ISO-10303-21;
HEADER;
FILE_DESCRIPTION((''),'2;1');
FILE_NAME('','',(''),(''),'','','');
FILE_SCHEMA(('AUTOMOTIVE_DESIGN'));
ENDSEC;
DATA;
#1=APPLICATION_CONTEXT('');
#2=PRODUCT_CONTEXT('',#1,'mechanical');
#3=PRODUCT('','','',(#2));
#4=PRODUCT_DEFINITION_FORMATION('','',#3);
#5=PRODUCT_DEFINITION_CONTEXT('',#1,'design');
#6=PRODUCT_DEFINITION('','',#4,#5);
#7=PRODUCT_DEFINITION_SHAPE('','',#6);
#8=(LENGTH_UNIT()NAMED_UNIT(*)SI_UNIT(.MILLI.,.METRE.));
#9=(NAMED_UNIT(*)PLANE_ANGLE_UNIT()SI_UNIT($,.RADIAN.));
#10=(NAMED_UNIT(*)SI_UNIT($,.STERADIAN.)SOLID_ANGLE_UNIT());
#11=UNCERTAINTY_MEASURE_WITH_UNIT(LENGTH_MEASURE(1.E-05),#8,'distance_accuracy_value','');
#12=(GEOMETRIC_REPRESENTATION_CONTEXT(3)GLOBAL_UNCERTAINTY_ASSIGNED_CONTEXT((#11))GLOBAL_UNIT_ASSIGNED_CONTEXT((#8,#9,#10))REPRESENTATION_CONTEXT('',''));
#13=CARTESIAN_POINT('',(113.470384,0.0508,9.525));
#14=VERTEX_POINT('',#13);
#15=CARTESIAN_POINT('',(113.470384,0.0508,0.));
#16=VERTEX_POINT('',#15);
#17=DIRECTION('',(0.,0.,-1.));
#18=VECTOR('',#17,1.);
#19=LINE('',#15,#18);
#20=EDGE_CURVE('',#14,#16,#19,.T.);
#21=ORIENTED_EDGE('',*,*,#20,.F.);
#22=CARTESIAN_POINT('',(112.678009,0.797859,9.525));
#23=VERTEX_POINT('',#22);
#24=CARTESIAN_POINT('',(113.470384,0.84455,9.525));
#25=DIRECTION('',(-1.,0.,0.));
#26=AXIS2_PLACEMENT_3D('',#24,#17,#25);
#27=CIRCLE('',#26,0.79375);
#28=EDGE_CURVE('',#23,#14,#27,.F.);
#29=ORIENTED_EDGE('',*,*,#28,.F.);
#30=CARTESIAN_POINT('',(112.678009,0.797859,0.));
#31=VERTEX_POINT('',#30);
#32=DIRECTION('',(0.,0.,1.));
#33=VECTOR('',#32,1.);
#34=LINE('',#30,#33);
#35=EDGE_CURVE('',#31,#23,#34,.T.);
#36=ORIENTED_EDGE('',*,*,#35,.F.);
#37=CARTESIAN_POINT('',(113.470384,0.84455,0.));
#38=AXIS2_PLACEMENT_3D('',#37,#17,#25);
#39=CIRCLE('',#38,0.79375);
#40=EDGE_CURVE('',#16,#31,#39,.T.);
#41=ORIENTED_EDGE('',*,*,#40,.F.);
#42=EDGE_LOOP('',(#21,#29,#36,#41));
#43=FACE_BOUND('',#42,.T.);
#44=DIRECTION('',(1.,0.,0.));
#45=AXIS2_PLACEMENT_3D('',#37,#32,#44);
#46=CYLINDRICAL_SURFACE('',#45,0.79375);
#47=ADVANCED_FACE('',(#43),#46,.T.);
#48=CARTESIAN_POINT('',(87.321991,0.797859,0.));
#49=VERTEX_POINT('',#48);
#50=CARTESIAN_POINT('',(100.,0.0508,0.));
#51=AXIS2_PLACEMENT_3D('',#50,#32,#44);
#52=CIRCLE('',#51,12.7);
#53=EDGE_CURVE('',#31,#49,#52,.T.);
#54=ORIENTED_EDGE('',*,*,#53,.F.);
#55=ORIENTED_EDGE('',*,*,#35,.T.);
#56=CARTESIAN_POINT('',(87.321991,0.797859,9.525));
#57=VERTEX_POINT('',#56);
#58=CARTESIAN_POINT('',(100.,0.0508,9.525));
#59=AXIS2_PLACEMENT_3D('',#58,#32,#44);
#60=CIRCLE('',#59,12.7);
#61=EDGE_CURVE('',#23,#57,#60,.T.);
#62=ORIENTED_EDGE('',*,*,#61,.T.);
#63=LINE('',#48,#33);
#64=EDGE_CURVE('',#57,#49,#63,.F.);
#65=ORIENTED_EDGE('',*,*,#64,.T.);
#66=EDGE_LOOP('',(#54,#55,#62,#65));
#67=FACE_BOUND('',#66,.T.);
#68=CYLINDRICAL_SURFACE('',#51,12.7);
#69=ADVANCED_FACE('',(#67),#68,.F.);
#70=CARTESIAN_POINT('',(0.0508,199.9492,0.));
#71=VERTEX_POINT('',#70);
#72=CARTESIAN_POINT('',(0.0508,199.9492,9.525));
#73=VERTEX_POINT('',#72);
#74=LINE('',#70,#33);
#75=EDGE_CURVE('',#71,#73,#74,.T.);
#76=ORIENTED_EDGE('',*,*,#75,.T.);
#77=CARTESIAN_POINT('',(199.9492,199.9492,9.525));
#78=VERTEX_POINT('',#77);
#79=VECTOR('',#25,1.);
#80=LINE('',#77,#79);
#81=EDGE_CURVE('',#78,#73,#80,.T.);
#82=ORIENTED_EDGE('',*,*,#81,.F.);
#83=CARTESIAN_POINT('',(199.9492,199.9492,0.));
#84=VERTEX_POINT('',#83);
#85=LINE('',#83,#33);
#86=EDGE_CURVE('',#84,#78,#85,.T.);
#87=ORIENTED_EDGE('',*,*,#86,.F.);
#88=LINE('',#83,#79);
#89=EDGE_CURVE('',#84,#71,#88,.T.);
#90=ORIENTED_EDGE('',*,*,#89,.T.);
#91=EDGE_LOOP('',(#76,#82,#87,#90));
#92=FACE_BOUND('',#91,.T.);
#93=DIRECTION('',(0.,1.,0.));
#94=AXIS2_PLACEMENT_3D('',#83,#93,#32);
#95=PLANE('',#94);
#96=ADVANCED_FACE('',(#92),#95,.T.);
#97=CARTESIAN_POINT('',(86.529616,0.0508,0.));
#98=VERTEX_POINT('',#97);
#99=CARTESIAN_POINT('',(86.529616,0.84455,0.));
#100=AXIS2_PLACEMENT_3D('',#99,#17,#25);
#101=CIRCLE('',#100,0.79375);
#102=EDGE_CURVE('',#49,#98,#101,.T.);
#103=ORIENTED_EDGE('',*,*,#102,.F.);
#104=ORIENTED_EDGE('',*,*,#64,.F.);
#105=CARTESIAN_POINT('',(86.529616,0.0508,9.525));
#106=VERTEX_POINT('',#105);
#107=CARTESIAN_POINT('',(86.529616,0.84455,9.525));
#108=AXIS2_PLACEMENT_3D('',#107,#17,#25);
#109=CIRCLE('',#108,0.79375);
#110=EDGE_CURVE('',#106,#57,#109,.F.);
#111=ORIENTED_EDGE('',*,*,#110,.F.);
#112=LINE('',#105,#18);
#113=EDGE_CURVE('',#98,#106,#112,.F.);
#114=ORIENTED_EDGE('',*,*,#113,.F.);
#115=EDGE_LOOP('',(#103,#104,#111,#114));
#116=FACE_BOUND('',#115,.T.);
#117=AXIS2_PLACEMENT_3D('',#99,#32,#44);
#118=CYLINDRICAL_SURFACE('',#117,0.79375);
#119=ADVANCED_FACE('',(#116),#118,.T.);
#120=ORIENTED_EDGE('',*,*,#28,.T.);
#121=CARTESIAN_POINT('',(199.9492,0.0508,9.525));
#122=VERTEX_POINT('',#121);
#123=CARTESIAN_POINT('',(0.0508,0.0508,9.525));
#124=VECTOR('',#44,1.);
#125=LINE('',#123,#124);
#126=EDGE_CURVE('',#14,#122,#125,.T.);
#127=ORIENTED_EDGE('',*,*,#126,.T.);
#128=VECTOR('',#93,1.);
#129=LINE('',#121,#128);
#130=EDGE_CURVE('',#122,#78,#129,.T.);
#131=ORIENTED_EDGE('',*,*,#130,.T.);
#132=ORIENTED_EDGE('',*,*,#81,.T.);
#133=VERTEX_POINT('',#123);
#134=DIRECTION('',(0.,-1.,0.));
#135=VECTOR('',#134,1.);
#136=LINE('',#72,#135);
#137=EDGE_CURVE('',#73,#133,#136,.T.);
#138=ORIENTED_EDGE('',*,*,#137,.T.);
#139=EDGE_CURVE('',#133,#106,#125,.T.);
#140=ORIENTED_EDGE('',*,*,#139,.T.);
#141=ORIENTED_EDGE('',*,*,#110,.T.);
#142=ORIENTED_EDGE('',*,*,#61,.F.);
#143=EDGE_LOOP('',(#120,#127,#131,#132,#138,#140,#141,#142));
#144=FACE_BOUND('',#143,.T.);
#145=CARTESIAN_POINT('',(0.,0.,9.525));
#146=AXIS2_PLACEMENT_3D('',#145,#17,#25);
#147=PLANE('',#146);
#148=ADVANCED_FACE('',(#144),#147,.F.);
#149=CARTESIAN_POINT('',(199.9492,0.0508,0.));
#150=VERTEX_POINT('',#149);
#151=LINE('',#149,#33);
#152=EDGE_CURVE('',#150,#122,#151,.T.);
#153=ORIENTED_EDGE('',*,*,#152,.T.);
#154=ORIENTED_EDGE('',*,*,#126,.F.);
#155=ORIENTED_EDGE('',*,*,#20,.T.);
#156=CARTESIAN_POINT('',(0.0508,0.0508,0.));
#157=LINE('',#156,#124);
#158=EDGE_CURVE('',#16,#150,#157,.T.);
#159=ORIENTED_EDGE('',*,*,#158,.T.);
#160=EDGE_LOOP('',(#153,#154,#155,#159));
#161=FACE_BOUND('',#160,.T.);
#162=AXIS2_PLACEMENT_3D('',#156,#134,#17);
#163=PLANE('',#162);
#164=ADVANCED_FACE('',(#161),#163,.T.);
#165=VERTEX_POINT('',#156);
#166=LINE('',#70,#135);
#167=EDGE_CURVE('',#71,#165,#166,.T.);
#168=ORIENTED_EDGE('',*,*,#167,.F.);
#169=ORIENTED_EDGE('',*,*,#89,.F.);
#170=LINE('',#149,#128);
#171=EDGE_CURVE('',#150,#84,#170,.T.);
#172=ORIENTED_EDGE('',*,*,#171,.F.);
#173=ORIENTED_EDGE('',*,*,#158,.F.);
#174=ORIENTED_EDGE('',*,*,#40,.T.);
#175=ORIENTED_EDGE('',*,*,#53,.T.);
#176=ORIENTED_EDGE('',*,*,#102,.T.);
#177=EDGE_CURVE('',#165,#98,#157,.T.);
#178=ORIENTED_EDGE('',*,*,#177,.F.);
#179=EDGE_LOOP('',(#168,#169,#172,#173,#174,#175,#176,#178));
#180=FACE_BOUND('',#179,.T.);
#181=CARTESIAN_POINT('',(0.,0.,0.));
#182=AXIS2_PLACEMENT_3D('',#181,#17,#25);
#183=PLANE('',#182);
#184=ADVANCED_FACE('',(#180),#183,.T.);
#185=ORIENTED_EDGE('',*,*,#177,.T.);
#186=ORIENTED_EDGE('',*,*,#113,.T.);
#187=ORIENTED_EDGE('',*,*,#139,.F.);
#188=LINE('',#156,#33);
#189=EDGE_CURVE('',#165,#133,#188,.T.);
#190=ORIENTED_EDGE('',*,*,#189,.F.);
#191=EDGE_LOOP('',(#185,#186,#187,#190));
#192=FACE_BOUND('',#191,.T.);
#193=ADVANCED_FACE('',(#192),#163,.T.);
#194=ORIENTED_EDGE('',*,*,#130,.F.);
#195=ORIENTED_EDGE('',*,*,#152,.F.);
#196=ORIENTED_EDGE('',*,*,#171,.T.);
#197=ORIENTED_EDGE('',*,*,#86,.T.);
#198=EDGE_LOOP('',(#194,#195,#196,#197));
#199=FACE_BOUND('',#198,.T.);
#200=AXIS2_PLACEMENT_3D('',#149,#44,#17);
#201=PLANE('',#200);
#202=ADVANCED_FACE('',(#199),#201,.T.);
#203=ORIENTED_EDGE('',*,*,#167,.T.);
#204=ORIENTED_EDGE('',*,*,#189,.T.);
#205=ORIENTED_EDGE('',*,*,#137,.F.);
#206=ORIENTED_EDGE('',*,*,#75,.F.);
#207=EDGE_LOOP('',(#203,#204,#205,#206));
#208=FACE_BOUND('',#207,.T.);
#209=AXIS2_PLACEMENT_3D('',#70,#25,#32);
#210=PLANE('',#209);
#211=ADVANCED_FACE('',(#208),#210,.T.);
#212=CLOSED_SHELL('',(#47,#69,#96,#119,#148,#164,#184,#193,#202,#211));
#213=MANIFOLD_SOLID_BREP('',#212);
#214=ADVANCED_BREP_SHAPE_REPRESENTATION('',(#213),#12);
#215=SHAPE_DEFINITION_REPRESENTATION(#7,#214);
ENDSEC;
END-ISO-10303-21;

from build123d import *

# Parameters (mm, degrees)
SKETCH1_W           = 200
SKETCH1_H           = 200
BOSS_EXTRUDE1_DEPTH = 9.525
SKETCH5_W           = 200
SKETCH5_H           = 200
SKETCH5_W_2         = 199.8984
SKETCH5_H_2         = 199.8984
CUT_EXTRUDE2_DEPTH  = 284.003048791
CUT_EXTRUDE1_DEPTH  = 9.525
FILLET1_R           = 0.79375


with BuildPart() as part:
    # Sketch1 → Boss-Extrude1 (new body)
    with BuildSketch(Plane.XY):
        with Locations((100, 100)):
            Rectangle(SKETCH1_W, SKETCH1_H)
    extrude(amount=BOSS_EXTRUDE1_DEPTH)

    # Sketch5 → Cut-Extrude2 (cut, through all)
    with BuildSketch(Plane.XY.offset(9.525)):
        with Locations((100, 100)):
            Rectangle(SKETCH5_W, SKETCH5_H)
        with Locations((100, 100)):
            Rectangle(SKETCH5_W_2, SKETCH5_H_2, mode=Mode.SUBTRACT)
    extrude(amount=-CUT_EXTRUDE2_DEPTH, mode=Mode.SUBTRACT)

    # Sketch2 → Cut-Extrude1 (cut)
    with BuildSketch(Plane.XY.offset(9.525)):
        with BuildLine():
            Line((87.3, 0.0508), (112.7, 0.0508))
            ThreePointArc((112.7, 0.0508), (100, 12.7508), (87.3, 0.0508))
        make_face()
    extrude(amount=-CUT_EXTRUDE1_DEPTH, mode=Mode.SUBTRACT)

    # Fillet1
    fillet1_edges = [part.edges().sort_by_distance(p)[0] for p in [
        (87.3, 0.0508, 4.7625),
        (112.7, 0.0508, 4.7625),
    ]]
    fillet(fillet1_edges, radius=FILLET1_R)


solid = part.part
